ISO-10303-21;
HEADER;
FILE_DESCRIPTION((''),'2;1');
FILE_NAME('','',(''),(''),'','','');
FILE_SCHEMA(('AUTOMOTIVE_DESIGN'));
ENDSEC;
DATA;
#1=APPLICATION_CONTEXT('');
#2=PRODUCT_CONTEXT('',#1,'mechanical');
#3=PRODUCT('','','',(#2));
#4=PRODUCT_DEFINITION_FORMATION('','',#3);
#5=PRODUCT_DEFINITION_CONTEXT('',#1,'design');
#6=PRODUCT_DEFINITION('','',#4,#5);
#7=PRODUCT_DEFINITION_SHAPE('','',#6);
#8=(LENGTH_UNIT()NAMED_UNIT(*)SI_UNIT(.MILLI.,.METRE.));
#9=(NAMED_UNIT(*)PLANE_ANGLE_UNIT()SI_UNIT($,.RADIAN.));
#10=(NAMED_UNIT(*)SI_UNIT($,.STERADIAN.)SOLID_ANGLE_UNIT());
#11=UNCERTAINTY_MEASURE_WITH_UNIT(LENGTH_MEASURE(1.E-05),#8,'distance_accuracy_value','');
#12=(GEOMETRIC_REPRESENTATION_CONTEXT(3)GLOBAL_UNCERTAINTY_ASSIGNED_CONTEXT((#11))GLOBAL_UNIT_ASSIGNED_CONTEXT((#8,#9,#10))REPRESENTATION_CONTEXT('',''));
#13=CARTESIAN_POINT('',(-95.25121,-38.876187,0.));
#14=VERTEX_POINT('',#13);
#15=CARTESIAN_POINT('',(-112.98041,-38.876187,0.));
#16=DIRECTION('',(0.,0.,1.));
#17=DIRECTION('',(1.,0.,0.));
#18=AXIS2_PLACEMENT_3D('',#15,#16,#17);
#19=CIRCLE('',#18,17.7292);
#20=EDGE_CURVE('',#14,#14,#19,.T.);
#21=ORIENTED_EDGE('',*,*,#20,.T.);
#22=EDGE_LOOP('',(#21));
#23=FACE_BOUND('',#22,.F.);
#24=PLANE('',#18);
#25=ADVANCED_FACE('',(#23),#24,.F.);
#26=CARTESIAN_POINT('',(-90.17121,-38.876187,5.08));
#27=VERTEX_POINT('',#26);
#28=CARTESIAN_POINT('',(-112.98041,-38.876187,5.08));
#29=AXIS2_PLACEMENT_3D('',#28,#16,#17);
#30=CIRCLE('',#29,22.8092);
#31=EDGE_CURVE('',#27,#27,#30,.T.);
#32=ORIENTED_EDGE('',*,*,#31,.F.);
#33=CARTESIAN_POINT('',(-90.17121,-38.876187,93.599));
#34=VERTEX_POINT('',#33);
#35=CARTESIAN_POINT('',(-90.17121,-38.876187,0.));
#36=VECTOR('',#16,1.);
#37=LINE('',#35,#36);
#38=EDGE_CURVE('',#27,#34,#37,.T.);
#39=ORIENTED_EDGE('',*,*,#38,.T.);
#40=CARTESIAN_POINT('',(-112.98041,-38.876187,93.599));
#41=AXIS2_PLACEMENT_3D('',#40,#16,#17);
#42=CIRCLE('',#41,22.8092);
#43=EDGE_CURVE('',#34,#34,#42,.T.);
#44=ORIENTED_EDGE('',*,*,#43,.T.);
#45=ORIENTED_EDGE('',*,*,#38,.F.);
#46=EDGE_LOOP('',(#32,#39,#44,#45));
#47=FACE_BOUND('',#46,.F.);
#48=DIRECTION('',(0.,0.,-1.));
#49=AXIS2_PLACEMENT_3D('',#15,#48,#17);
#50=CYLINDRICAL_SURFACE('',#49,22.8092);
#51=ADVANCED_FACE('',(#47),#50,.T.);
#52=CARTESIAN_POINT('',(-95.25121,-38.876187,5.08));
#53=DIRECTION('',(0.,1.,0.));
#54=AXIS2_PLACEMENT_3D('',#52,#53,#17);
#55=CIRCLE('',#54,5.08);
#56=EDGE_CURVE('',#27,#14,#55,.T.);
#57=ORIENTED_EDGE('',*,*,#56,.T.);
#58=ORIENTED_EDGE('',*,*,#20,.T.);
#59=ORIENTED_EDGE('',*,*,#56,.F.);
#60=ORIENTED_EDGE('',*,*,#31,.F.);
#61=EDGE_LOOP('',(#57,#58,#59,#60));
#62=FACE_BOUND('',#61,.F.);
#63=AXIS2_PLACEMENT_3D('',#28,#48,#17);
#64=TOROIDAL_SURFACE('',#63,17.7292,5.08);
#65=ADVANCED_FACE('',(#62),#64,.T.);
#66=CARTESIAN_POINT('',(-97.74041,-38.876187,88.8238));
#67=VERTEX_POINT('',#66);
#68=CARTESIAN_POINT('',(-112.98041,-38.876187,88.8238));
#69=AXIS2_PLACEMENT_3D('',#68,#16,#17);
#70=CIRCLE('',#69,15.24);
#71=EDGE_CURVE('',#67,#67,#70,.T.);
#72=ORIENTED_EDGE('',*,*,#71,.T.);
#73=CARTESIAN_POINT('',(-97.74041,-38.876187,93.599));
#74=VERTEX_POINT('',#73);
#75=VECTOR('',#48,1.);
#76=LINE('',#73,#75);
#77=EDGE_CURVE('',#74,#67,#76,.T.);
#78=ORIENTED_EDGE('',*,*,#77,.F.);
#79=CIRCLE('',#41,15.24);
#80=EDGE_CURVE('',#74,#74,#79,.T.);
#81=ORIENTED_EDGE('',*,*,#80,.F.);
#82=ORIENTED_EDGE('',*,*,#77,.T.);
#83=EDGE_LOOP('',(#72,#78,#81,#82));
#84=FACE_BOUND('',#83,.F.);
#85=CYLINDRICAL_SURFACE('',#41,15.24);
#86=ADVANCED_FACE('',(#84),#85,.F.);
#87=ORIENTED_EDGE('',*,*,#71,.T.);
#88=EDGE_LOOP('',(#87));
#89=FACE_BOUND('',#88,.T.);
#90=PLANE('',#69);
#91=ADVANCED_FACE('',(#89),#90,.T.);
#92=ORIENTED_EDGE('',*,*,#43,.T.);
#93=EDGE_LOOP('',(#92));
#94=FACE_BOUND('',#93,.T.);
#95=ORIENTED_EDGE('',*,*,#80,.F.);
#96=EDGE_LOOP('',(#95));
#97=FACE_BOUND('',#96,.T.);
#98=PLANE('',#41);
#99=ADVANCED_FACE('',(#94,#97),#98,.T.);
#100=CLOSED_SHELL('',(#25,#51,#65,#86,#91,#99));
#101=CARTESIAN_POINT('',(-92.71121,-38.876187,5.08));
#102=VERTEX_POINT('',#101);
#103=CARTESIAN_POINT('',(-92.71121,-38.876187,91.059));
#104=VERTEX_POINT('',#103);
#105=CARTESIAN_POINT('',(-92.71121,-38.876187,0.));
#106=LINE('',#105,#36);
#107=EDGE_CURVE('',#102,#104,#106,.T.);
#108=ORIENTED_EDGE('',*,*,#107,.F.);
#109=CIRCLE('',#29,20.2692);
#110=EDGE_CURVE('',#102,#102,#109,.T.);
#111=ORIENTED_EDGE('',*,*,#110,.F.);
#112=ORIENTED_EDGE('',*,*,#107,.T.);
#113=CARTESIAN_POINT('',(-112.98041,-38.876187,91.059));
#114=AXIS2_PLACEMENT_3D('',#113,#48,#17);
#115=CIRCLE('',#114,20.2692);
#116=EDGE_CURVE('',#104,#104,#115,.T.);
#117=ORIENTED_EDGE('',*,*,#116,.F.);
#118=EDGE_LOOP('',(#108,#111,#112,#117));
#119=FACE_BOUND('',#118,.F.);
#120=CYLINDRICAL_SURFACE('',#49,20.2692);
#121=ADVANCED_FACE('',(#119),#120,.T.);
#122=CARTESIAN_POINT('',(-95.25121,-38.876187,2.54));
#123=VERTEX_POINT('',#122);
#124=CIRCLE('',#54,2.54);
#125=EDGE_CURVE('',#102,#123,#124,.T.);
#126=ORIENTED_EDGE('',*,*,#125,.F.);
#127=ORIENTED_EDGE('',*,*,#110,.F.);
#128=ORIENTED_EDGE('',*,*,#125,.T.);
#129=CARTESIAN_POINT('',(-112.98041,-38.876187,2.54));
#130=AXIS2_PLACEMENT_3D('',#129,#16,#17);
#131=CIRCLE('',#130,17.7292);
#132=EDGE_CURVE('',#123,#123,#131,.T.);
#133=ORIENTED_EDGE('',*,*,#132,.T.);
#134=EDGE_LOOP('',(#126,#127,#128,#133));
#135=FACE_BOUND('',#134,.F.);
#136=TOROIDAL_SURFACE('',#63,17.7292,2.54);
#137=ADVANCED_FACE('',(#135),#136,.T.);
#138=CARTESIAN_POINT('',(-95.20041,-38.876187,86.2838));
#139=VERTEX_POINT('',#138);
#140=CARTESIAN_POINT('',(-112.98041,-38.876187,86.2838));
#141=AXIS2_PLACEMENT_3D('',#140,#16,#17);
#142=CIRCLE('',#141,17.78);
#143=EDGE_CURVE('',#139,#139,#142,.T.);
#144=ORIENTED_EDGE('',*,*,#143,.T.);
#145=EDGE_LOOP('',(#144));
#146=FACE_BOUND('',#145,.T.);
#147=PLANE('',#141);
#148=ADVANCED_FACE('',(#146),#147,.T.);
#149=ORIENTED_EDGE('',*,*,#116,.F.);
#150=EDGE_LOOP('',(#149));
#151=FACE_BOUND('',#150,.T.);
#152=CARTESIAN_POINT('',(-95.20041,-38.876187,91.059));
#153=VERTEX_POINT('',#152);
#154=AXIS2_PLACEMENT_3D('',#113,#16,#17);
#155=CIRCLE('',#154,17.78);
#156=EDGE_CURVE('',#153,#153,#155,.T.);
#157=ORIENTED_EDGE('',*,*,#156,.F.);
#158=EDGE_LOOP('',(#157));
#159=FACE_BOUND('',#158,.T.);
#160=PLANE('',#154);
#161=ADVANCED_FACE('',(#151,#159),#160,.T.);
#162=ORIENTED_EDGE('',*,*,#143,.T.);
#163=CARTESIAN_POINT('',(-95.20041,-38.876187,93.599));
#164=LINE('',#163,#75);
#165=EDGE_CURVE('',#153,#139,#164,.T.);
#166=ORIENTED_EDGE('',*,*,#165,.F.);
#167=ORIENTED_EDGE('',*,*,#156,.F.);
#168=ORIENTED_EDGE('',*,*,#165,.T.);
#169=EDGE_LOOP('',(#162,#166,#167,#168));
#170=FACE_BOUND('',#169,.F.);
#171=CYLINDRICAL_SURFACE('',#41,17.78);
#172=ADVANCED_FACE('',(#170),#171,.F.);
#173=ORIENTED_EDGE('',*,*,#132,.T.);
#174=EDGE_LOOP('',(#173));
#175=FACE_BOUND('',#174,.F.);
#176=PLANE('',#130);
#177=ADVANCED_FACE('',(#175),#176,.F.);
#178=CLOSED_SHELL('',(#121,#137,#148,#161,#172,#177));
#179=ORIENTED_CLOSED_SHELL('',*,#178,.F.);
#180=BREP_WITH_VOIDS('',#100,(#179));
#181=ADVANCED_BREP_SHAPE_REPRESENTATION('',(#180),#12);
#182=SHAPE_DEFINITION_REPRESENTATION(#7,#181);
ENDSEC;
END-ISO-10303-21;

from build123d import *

# Parameters (mm, degrees)
F0_R     = 22.8092
F1_DEPTH = 93.599
F2_R     = 15.24
F3_DEPTH = 4.7752
F4_R     = 5.08
F5_T     = -2.54


with BuildPart() as f1:
    # F0 (on Top) → F1 (new body)
    with BuildSketch(Plane.XY):
        with Locations((-112.9804104567, -38.8761870563)):
            Circle(F0_R)
    extrude(amount=F1_DEPTH)

    # F2 (on face) → F3 (cut)
    with BuildSketch(Plane.XY.offset(93.599)):
        with Locations((-112.9804104567, -38.8761870563)):
            Circle(F2_R)
    extrude(amount=-F3_DEPTH, mode=Mode.SUBTRACT)

    # F4
    f4_edges = [f1.edges().sort_by_distance(p)[0] for p in [
        (-135.78961, -38.876187, 0),
    ]]
    fillet(f4_edges, radius=F4_R)

    # F5 (hollow: no face is removed)
    offset(amount=F5_T, kind=Kind.INTERSECTION, mode=Mode.SUBTRACT)


solid = f1.part
